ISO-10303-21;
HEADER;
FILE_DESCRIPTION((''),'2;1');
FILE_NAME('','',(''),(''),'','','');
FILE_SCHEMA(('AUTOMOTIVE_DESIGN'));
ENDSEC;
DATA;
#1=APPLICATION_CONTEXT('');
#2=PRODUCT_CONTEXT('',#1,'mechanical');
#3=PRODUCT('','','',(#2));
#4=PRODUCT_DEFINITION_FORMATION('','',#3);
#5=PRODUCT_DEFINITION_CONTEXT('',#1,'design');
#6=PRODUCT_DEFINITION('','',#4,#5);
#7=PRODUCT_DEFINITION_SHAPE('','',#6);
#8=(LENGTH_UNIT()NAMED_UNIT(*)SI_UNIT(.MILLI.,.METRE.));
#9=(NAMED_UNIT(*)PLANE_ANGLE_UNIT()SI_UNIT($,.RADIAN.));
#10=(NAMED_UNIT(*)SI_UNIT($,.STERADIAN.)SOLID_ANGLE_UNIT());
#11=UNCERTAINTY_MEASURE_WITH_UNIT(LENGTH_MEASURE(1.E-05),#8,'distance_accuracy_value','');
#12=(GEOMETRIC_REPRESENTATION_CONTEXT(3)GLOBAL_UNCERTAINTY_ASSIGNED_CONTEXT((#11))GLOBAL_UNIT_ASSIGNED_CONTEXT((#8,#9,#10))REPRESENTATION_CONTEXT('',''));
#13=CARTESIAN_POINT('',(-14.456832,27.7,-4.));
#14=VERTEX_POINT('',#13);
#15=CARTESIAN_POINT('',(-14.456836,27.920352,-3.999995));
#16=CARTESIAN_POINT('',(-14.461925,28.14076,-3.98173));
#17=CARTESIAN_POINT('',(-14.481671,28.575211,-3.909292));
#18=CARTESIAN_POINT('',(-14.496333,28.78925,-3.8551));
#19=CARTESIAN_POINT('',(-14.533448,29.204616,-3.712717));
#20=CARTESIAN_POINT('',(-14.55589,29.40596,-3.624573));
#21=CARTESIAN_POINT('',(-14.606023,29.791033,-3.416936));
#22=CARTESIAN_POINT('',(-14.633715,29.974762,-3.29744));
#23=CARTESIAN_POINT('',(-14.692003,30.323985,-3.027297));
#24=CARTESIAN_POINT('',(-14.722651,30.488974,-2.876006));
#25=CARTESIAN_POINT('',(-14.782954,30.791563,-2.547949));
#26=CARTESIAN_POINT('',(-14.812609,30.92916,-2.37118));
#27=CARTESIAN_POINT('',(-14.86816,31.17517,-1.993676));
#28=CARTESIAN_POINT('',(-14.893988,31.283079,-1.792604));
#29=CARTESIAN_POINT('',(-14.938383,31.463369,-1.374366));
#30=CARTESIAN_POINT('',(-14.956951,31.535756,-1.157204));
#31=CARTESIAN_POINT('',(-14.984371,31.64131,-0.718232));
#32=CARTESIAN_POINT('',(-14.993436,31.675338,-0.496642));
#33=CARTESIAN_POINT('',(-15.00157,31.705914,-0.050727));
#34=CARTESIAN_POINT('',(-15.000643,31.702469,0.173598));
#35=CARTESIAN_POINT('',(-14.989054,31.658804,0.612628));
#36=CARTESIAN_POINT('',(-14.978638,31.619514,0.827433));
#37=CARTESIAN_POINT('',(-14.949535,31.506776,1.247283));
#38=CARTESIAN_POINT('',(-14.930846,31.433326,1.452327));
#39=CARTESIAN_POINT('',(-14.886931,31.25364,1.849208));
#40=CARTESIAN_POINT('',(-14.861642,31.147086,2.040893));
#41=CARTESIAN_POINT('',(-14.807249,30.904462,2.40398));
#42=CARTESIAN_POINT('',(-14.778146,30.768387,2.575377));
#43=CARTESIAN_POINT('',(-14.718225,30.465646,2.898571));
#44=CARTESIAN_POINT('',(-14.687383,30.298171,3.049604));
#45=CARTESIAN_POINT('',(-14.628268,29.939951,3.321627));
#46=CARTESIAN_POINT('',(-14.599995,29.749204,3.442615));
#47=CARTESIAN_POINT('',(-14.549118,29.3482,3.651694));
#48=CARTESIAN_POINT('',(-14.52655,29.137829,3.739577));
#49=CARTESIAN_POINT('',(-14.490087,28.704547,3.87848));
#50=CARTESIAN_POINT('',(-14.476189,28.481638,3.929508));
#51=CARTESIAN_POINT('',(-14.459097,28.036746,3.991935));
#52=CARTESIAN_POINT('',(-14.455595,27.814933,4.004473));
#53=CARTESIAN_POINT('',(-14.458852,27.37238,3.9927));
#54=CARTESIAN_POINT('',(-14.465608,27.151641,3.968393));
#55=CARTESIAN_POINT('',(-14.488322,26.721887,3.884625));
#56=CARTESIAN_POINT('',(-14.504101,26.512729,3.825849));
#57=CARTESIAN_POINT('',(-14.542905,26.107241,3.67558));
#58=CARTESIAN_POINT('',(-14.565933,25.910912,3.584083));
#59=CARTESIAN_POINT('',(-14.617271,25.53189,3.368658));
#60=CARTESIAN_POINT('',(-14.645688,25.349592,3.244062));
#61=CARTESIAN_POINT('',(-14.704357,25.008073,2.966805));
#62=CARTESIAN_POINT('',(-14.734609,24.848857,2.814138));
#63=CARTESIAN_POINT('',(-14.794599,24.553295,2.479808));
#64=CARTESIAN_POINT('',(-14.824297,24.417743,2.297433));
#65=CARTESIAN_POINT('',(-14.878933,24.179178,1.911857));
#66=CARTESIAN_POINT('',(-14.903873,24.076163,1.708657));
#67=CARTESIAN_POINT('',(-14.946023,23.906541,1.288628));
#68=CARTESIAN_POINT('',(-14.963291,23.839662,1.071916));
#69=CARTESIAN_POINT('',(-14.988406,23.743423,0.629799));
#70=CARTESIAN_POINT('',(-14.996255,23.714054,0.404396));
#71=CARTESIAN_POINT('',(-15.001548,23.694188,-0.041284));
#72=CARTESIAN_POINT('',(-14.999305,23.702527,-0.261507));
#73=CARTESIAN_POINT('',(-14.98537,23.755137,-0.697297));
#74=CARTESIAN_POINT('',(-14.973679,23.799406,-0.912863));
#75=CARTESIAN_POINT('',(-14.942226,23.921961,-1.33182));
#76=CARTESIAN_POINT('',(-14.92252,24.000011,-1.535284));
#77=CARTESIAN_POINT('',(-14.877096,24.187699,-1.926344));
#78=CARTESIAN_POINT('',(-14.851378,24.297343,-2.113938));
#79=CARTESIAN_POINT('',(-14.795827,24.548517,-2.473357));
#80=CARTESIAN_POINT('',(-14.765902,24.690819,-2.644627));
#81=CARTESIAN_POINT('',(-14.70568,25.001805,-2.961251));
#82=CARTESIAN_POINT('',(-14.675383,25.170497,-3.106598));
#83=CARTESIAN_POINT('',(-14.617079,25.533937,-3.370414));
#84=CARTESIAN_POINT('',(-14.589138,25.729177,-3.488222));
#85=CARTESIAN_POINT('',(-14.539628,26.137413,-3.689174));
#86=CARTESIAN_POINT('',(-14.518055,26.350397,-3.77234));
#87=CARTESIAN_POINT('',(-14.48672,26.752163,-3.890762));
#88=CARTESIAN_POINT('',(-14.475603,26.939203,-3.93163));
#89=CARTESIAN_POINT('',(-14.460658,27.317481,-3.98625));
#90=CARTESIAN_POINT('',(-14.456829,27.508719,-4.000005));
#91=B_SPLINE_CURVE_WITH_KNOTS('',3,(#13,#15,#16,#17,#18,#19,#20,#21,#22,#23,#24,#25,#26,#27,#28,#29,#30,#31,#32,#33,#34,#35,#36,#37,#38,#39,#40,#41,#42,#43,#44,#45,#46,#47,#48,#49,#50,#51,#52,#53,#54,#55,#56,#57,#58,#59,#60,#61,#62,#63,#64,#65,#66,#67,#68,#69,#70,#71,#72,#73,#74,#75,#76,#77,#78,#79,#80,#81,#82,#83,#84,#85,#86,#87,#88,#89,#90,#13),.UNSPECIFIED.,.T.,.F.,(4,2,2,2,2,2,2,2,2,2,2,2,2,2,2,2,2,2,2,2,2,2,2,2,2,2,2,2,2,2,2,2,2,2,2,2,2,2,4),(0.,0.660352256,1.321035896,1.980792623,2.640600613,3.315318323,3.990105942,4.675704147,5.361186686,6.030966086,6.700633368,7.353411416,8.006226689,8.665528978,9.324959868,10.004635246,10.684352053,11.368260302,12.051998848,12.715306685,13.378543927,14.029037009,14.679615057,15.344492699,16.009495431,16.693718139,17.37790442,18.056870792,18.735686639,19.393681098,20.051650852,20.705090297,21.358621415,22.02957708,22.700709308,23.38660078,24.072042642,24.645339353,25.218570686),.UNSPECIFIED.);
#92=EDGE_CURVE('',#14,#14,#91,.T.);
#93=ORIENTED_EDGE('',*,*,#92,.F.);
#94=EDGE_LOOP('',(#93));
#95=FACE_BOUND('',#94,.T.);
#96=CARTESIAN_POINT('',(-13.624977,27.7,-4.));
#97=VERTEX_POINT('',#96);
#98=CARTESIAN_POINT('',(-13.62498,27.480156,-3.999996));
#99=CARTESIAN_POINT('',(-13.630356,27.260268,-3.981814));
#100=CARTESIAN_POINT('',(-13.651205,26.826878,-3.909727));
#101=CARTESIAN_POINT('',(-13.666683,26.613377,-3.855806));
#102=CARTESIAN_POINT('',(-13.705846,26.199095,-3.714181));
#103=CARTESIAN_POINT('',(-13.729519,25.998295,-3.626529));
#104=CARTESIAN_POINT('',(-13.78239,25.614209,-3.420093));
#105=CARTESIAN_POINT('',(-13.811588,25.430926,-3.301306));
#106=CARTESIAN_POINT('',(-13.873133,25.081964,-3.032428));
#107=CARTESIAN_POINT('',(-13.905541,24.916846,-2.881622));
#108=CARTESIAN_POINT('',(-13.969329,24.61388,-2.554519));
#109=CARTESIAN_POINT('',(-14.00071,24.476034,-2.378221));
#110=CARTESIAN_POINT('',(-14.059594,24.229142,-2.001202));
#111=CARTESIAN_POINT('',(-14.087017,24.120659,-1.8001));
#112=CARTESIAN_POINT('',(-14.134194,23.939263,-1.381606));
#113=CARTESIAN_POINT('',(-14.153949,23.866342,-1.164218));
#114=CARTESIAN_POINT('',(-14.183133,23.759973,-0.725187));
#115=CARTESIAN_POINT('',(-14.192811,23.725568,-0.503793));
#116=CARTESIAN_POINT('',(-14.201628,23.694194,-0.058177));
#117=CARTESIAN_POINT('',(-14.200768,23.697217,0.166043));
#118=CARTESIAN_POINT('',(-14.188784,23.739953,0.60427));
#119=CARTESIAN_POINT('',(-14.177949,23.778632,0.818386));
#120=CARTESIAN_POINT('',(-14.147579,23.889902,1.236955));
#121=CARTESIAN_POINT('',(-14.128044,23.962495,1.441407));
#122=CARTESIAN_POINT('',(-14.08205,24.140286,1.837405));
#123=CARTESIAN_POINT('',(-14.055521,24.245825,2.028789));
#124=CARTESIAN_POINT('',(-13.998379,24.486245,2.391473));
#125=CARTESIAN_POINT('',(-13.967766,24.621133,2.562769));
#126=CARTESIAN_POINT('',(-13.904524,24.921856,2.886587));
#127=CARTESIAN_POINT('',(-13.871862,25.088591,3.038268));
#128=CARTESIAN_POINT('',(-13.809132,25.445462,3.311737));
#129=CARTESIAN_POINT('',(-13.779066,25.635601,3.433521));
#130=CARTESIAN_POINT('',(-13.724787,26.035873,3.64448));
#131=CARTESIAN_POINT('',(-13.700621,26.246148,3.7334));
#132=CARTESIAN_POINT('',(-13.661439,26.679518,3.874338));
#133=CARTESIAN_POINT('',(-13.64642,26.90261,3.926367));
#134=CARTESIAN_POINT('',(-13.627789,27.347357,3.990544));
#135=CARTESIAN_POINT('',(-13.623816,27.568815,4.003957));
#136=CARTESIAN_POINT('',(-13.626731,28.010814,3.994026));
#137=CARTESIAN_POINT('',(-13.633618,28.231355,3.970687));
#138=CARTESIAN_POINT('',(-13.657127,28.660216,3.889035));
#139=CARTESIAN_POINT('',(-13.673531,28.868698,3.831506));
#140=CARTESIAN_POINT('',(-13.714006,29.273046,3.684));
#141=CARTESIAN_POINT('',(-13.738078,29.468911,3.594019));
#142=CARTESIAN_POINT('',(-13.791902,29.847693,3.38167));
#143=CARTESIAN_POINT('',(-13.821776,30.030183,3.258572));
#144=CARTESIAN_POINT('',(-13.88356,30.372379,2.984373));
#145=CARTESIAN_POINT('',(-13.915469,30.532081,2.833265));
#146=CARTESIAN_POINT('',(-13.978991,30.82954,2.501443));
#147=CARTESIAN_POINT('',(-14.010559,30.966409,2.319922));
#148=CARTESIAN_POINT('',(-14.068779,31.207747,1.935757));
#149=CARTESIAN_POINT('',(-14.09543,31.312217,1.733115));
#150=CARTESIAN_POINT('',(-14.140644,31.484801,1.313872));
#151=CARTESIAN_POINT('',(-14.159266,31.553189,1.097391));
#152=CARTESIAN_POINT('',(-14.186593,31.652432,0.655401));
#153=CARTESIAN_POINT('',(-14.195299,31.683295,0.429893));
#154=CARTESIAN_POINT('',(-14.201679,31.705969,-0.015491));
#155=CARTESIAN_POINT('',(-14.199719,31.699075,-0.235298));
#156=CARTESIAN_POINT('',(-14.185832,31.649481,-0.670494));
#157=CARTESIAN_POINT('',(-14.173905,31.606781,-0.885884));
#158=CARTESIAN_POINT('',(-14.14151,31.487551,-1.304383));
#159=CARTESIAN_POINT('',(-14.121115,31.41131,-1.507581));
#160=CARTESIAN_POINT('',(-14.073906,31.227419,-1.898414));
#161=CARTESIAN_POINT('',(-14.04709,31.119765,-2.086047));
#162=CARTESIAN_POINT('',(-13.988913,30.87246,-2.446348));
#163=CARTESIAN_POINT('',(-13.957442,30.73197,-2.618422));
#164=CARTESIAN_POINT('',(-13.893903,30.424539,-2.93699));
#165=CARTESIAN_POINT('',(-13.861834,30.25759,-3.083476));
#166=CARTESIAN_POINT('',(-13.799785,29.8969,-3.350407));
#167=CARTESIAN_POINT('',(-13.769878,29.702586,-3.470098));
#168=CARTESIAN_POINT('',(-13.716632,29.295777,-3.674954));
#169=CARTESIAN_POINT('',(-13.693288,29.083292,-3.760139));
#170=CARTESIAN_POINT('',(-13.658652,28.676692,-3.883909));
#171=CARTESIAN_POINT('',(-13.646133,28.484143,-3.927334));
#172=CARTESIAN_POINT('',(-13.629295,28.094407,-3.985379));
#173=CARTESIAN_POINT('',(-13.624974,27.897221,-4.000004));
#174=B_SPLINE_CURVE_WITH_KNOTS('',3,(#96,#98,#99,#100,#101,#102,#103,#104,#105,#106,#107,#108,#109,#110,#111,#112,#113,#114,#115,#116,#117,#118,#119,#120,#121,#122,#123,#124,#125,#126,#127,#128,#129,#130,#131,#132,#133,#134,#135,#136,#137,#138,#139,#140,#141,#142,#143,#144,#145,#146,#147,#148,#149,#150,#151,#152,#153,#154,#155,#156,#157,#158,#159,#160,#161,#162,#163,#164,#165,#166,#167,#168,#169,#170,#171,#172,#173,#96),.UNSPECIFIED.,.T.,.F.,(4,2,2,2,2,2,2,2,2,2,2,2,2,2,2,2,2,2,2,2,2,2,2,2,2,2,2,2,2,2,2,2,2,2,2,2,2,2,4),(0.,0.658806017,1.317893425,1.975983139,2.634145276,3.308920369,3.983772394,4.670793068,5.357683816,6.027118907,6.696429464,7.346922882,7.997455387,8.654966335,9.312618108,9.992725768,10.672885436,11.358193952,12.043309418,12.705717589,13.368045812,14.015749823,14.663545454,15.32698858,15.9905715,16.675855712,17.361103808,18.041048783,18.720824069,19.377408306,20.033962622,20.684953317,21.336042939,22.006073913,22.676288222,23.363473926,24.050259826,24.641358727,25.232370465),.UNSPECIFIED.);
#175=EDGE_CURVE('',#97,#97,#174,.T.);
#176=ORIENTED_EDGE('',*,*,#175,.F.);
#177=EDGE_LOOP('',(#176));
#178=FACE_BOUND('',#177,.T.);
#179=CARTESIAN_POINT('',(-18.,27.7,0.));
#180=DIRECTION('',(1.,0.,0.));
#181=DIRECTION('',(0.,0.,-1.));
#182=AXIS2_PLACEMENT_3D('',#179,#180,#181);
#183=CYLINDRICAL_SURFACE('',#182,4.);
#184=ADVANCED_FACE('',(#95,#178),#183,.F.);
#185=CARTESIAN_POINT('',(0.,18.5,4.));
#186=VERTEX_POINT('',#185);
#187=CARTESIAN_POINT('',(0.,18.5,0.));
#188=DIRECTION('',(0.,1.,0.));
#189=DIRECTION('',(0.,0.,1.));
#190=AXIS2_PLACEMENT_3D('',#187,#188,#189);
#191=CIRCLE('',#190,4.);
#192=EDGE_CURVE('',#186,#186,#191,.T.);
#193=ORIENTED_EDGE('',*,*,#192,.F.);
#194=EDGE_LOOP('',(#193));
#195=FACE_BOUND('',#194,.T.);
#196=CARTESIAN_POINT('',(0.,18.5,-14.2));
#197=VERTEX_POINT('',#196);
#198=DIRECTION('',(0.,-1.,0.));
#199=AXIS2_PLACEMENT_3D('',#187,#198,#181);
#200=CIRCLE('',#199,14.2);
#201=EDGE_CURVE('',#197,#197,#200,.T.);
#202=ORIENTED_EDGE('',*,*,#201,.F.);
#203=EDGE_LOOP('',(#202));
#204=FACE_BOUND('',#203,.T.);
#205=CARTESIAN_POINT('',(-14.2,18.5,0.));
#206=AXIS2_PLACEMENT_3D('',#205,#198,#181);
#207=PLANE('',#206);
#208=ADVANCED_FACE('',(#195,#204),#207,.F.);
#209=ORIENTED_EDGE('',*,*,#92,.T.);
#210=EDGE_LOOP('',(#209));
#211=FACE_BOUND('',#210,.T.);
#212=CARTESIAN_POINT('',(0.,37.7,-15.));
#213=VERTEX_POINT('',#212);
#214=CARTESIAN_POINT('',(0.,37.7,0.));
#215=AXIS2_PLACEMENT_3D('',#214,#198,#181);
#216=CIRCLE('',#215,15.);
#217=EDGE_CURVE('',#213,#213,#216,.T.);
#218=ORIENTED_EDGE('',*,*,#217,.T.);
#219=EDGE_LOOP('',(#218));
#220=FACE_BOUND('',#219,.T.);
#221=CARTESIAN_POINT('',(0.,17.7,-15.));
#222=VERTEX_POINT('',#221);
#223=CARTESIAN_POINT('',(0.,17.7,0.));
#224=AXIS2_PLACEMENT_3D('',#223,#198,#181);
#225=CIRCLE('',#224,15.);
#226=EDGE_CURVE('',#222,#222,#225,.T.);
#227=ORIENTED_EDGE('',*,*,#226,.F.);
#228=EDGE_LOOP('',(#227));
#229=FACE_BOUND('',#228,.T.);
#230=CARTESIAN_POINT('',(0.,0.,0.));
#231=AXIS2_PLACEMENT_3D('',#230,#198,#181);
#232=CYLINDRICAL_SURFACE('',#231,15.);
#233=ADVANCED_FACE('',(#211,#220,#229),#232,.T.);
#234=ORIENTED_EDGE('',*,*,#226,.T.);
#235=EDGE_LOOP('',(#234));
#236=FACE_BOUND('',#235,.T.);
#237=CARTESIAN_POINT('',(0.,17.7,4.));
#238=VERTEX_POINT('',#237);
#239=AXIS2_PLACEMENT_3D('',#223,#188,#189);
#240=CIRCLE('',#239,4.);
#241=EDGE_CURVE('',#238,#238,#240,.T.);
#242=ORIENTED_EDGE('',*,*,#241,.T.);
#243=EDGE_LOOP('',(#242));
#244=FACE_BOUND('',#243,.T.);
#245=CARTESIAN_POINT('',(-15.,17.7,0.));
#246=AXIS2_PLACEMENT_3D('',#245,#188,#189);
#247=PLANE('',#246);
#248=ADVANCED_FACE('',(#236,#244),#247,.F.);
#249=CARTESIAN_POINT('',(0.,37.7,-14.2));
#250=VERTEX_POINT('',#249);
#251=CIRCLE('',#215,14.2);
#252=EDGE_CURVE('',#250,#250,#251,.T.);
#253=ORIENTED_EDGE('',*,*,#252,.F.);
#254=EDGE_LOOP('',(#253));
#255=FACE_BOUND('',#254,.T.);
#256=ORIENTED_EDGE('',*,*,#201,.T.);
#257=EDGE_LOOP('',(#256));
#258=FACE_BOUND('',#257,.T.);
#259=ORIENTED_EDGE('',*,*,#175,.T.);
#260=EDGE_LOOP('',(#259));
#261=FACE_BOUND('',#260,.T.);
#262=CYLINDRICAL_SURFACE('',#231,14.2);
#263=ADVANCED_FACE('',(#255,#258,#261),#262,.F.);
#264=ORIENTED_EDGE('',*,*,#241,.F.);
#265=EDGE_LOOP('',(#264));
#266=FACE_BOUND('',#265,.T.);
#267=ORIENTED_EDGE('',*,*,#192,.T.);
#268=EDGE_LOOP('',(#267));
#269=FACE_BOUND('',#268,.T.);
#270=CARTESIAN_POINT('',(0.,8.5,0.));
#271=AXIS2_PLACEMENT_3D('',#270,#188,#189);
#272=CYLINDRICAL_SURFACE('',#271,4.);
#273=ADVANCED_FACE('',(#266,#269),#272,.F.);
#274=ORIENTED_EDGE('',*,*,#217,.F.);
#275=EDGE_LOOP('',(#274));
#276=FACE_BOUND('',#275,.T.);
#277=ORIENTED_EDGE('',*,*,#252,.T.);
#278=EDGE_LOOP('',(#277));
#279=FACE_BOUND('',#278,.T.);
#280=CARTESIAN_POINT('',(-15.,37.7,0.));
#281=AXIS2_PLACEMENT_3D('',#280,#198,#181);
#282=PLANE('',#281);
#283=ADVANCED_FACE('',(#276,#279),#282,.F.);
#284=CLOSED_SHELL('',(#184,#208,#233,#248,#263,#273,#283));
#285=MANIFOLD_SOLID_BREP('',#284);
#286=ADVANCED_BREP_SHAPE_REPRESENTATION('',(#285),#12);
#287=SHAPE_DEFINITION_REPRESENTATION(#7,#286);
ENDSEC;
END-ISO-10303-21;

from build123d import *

# Parameters (mm, degrees)
SKETCH2_R          = 4
CUT_EXTRUDE1_DEPTH = 10
SKETCH3_R          = 4
CUT_EXTRUDE2_DEPTH = 18


with BuildPart() as part:
    # Sketch1 → Revolve1 (revolve)
    with BuildSketch(Plane.XY, mode=Mode.PRIVATE) as revolve1_sk:
        Polygon((-15, 17.7), (-15, 37.7), (-14.2, 37.7), (-14.2, 18.5), (0, 18.5), (0, 17.7), align=None)
    revolve(revolve1_sk.sketch.rotate(Axis((0, 0, 0), (0, 1, 0)), 270), axis=Axis((0, 0, 0), (0, 1, 0)))

    # Sketch2 → Cut-Extrude1 (cut)
    with BuildSketch(Plane(origin=(0, 18.5, 0), x_dir=(1, 0, 0), z_dir=(0, 1, 0))):
        with Locations(Location((0, 0, 0), (0, 0, 270))):
            Circle(SKETCH2_R)
    extrude(amount=-CUT_EXTRUDE1_DEPTH, mode=Mode.SUBTRACT)

    # Sketch3 → Cut-Extrude2 (cut)
    with BuildSketch(Plane(origin=(0, 0, 0), x_dir=(0, 0, -1), z_dir=(1, 0, 0))):
        with Locations((0, 27.7)):
            Circle(SKETCH3_R)
    extrude(amount=-CUT_EXTRUDE2_DEPTH, mode=Mode.SUBTRACT)


solid = part.part
